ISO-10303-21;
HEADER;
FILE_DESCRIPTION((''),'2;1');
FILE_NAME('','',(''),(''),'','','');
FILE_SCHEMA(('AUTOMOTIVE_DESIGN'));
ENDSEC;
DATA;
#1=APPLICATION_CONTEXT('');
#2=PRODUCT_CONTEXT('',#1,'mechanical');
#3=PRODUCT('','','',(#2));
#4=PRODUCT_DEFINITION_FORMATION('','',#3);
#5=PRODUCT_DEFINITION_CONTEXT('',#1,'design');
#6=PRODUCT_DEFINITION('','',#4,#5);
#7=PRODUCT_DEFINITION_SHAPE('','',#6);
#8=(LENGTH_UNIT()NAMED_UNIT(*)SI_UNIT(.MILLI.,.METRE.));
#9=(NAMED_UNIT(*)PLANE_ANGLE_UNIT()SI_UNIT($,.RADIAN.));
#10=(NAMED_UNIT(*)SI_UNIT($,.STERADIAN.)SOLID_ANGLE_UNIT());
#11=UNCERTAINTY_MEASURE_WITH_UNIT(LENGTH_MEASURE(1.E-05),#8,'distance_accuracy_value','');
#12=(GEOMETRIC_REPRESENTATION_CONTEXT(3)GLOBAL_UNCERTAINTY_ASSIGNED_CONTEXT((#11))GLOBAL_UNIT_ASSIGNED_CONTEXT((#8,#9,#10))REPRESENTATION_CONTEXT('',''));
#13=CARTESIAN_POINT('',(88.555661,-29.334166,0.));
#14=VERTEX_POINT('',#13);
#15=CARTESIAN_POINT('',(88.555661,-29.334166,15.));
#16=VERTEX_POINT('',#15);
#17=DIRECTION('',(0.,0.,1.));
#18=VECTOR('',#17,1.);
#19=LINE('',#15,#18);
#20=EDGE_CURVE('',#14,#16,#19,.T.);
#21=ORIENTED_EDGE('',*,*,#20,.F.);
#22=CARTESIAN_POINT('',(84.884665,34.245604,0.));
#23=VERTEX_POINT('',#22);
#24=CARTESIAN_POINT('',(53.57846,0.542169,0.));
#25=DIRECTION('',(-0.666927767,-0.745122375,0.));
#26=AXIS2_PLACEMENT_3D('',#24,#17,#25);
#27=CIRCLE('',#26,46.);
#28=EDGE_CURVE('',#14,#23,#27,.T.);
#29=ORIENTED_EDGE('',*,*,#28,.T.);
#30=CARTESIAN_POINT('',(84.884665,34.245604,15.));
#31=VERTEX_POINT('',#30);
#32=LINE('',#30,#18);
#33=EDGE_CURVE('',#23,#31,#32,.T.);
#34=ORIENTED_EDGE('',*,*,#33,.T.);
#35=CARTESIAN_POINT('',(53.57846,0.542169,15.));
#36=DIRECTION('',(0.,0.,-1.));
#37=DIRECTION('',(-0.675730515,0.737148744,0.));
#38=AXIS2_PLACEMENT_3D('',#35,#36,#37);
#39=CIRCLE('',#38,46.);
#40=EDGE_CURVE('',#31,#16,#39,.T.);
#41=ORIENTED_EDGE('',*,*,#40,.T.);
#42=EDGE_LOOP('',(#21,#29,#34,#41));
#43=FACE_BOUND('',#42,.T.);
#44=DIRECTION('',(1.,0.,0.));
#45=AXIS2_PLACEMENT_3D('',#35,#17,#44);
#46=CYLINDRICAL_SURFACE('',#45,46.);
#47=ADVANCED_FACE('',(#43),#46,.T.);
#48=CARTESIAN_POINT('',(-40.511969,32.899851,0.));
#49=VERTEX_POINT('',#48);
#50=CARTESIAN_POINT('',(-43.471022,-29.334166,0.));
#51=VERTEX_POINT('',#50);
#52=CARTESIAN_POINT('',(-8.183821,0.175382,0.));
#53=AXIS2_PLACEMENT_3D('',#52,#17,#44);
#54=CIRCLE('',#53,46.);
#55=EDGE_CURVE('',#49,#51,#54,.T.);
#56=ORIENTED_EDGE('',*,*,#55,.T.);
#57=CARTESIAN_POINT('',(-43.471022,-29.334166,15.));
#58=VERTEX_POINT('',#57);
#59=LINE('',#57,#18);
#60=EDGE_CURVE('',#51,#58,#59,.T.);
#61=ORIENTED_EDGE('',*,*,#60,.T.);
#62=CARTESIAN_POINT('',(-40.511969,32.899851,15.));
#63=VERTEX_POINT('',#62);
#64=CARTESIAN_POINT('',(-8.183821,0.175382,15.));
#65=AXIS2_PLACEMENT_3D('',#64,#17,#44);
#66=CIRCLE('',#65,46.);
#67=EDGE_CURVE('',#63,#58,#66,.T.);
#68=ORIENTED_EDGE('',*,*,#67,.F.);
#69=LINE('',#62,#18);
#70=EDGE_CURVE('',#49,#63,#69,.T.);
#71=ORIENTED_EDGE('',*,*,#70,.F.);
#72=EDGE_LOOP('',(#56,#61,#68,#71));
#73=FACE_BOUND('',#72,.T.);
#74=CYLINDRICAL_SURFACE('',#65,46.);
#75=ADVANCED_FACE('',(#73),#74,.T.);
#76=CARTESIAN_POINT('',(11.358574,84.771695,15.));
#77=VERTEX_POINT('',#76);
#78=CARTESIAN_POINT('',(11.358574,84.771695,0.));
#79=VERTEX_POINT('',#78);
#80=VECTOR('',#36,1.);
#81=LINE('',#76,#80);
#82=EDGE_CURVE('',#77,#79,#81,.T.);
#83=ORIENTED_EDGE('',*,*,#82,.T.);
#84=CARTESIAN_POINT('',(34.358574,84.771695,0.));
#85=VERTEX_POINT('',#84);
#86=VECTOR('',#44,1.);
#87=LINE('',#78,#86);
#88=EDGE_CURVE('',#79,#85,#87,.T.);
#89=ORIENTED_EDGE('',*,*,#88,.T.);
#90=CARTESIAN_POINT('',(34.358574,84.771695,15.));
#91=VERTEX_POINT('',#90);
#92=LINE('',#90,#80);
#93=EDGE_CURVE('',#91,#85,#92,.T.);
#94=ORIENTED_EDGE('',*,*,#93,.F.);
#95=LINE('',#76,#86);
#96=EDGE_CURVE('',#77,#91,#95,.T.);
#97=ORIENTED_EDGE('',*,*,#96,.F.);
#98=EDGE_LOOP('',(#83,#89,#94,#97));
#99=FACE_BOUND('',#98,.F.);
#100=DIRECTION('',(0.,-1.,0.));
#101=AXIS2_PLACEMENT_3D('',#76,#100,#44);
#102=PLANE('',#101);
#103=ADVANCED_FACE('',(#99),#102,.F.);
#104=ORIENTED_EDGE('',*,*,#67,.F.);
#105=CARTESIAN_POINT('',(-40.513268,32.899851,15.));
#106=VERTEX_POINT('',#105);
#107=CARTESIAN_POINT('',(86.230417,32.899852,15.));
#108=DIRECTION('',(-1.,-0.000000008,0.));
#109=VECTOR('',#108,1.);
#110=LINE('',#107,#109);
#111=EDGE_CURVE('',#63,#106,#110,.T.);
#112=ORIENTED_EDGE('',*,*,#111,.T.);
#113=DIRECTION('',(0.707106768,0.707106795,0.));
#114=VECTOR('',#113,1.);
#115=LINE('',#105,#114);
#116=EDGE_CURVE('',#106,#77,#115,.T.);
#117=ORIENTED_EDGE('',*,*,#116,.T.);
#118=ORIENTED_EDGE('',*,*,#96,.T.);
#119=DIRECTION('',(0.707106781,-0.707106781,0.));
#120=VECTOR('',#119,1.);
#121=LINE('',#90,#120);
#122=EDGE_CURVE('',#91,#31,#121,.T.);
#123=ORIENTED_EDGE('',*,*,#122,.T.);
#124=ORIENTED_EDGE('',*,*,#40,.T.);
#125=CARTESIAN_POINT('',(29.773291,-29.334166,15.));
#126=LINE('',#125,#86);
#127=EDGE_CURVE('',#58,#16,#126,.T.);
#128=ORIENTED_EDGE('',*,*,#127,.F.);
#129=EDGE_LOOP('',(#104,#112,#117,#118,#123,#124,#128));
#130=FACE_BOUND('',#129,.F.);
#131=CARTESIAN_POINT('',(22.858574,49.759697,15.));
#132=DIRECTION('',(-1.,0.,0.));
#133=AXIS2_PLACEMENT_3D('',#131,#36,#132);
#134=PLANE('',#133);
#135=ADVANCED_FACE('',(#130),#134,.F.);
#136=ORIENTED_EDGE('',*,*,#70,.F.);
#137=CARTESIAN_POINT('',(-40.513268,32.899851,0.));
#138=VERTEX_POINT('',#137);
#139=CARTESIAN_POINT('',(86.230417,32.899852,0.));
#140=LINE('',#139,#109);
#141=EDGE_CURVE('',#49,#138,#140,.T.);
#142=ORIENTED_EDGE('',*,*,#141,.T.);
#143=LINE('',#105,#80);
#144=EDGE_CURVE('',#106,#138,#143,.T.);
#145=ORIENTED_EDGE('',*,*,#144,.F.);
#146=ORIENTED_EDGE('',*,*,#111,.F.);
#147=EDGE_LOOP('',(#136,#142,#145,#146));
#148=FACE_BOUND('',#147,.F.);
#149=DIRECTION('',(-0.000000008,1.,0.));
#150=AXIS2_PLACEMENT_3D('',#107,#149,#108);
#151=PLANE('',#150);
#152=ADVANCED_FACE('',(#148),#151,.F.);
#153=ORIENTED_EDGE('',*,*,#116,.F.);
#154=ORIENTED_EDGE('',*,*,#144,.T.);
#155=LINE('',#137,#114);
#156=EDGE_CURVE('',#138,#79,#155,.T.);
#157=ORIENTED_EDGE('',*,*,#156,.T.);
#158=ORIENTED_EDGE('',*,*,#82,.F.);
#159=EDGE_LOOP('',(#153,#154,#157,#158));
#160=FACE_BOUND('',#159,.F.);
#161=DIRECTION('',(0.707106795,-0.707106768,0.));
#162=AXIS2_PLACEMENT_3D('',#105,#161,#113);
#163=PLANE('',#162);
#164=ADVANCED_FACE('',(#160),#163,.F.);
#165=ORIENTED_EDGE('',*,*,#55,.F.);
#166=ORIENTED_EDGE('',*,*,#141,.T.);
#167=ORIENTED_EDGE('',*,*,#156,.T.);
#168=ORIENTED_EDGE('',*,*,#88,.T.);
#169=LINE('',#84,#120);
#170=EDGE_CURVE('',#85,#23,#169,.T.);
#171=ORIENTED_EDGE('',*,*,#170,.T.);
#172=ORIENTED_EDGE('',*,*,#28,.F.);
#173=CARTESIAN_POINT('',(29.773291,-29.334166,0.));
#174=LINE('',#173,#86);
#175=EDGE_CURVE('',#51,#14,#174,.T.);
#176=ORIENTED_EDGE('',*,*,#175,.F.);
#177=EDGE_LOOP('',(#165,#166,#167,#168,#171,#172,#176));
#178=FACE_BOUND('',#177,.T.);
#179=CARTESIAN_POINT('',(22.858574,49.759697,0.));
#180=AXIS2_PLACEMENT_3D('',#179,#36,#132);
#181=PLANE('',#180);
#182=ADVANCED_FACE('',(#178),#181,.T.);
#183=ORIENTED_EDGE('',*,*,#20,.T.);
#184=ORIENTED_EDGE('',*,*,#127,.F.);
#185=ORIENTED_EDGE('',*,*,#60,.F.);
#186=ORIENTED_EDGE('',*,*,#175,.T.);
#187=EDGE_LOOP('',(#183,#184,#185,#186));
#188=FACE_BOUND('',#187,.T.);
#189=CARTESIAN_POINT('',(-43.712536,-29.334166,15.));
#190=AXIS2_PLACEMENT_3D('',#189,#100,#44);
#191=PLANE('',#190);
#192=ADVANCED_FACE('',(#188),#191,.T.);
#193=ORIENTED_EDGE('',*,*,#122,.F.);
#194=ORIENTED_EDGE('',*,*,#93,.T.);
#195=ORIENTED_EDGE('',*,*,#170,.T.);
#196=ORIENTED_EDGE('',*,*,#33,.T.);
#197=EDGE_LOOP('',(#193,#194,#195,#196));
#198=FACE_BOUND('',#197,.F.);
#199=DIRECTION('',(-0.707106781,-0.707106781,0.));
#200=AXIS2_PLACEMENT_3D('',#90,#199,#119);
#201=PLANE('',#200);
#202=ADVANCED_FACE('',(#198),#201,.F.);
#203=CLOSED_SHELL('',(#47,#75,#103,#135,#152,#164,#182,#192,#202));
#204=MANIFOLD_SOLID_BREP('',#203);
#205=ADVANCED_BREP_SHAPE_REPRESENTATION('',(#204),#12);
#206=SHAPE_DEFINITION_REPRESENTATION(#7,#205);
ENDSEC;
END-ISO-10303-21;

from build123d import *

# Parameters (mm, degrees)
EXTRUSION008_DEPTH = 15
RECTANGLE001_W     = 146.971653
RECTANGLE001_H     = 26.042151
EXTRUSION007_DEPTH = 15
CIRCLE002_R        = 46
EXTRUSION005_DEPTH = 15
CIRCLE003_R        = 46
EXTRUSION006_DEPTH = 15


with BuildPart() as extrusion008:
    # Wire001 → Extrusion008 (new body)
    with BuildSketch(Plane(origin=(-40.513268, 32.899851, 15), x_dir=(1, 0, 0), z_dir=(0, 0, 1))):
        Polygon((0, 0), (51.871842, 51.871844), (74.871842, 51.871844), (126.743685, 1e-06), align=None)
    extrude(amount=-EXTRUSION008_DEPTH)


with BuildPart() as extrusion007:
    # Rectangle001 → Extrusion007 (new body)
    with BuildSketch(Plane(origin=(-43.712536, -55.376318, 15), x_dir=(1, 0, 0), z_dir=(0, 0, 1))):
        with Locations((73.485827, 13.021076)):
            Rectangle(RECTANGLE001_W, RECTANGLE001_H)
    extrude(amount=-EXTRUSION007_DEPTH)


with BuildPart() as extrusion005:
    # Circle002 → Extrusion005 (new body)
    with BuildSketch(Plane(origin=(53.57846, 0.542169, 15), x_dir=(1, 0, 0), z_dir=(0, 0, 1))):
        Circle(CIRCLE002_R)
    extrude(amount=-EXTRUSION005_DEPTH)


with BuildPart() as fusion001002003:
    # Circle003 → Extrusion006 (new body)
    with BuildSketch(Plane(origin=(-8.183821, 0.175382, 15), x_dir=(1, 0, 0), z_dir=(0, 0, 1))):
        Circle(CIRCLE003_R)
    extrude(amount=-EXTRUSION006_DEPTH)

    # Fusion001002002: union Extrusion005
    add(extrusion005.part)

    # Cut: cut Extrusion007
    add(extrusion007.part, mode=Mode.SUBTRACT)

    # Fusion001002003: union Extrusion008
    add(extrusion008.part)


solid = fusion001002003.part
